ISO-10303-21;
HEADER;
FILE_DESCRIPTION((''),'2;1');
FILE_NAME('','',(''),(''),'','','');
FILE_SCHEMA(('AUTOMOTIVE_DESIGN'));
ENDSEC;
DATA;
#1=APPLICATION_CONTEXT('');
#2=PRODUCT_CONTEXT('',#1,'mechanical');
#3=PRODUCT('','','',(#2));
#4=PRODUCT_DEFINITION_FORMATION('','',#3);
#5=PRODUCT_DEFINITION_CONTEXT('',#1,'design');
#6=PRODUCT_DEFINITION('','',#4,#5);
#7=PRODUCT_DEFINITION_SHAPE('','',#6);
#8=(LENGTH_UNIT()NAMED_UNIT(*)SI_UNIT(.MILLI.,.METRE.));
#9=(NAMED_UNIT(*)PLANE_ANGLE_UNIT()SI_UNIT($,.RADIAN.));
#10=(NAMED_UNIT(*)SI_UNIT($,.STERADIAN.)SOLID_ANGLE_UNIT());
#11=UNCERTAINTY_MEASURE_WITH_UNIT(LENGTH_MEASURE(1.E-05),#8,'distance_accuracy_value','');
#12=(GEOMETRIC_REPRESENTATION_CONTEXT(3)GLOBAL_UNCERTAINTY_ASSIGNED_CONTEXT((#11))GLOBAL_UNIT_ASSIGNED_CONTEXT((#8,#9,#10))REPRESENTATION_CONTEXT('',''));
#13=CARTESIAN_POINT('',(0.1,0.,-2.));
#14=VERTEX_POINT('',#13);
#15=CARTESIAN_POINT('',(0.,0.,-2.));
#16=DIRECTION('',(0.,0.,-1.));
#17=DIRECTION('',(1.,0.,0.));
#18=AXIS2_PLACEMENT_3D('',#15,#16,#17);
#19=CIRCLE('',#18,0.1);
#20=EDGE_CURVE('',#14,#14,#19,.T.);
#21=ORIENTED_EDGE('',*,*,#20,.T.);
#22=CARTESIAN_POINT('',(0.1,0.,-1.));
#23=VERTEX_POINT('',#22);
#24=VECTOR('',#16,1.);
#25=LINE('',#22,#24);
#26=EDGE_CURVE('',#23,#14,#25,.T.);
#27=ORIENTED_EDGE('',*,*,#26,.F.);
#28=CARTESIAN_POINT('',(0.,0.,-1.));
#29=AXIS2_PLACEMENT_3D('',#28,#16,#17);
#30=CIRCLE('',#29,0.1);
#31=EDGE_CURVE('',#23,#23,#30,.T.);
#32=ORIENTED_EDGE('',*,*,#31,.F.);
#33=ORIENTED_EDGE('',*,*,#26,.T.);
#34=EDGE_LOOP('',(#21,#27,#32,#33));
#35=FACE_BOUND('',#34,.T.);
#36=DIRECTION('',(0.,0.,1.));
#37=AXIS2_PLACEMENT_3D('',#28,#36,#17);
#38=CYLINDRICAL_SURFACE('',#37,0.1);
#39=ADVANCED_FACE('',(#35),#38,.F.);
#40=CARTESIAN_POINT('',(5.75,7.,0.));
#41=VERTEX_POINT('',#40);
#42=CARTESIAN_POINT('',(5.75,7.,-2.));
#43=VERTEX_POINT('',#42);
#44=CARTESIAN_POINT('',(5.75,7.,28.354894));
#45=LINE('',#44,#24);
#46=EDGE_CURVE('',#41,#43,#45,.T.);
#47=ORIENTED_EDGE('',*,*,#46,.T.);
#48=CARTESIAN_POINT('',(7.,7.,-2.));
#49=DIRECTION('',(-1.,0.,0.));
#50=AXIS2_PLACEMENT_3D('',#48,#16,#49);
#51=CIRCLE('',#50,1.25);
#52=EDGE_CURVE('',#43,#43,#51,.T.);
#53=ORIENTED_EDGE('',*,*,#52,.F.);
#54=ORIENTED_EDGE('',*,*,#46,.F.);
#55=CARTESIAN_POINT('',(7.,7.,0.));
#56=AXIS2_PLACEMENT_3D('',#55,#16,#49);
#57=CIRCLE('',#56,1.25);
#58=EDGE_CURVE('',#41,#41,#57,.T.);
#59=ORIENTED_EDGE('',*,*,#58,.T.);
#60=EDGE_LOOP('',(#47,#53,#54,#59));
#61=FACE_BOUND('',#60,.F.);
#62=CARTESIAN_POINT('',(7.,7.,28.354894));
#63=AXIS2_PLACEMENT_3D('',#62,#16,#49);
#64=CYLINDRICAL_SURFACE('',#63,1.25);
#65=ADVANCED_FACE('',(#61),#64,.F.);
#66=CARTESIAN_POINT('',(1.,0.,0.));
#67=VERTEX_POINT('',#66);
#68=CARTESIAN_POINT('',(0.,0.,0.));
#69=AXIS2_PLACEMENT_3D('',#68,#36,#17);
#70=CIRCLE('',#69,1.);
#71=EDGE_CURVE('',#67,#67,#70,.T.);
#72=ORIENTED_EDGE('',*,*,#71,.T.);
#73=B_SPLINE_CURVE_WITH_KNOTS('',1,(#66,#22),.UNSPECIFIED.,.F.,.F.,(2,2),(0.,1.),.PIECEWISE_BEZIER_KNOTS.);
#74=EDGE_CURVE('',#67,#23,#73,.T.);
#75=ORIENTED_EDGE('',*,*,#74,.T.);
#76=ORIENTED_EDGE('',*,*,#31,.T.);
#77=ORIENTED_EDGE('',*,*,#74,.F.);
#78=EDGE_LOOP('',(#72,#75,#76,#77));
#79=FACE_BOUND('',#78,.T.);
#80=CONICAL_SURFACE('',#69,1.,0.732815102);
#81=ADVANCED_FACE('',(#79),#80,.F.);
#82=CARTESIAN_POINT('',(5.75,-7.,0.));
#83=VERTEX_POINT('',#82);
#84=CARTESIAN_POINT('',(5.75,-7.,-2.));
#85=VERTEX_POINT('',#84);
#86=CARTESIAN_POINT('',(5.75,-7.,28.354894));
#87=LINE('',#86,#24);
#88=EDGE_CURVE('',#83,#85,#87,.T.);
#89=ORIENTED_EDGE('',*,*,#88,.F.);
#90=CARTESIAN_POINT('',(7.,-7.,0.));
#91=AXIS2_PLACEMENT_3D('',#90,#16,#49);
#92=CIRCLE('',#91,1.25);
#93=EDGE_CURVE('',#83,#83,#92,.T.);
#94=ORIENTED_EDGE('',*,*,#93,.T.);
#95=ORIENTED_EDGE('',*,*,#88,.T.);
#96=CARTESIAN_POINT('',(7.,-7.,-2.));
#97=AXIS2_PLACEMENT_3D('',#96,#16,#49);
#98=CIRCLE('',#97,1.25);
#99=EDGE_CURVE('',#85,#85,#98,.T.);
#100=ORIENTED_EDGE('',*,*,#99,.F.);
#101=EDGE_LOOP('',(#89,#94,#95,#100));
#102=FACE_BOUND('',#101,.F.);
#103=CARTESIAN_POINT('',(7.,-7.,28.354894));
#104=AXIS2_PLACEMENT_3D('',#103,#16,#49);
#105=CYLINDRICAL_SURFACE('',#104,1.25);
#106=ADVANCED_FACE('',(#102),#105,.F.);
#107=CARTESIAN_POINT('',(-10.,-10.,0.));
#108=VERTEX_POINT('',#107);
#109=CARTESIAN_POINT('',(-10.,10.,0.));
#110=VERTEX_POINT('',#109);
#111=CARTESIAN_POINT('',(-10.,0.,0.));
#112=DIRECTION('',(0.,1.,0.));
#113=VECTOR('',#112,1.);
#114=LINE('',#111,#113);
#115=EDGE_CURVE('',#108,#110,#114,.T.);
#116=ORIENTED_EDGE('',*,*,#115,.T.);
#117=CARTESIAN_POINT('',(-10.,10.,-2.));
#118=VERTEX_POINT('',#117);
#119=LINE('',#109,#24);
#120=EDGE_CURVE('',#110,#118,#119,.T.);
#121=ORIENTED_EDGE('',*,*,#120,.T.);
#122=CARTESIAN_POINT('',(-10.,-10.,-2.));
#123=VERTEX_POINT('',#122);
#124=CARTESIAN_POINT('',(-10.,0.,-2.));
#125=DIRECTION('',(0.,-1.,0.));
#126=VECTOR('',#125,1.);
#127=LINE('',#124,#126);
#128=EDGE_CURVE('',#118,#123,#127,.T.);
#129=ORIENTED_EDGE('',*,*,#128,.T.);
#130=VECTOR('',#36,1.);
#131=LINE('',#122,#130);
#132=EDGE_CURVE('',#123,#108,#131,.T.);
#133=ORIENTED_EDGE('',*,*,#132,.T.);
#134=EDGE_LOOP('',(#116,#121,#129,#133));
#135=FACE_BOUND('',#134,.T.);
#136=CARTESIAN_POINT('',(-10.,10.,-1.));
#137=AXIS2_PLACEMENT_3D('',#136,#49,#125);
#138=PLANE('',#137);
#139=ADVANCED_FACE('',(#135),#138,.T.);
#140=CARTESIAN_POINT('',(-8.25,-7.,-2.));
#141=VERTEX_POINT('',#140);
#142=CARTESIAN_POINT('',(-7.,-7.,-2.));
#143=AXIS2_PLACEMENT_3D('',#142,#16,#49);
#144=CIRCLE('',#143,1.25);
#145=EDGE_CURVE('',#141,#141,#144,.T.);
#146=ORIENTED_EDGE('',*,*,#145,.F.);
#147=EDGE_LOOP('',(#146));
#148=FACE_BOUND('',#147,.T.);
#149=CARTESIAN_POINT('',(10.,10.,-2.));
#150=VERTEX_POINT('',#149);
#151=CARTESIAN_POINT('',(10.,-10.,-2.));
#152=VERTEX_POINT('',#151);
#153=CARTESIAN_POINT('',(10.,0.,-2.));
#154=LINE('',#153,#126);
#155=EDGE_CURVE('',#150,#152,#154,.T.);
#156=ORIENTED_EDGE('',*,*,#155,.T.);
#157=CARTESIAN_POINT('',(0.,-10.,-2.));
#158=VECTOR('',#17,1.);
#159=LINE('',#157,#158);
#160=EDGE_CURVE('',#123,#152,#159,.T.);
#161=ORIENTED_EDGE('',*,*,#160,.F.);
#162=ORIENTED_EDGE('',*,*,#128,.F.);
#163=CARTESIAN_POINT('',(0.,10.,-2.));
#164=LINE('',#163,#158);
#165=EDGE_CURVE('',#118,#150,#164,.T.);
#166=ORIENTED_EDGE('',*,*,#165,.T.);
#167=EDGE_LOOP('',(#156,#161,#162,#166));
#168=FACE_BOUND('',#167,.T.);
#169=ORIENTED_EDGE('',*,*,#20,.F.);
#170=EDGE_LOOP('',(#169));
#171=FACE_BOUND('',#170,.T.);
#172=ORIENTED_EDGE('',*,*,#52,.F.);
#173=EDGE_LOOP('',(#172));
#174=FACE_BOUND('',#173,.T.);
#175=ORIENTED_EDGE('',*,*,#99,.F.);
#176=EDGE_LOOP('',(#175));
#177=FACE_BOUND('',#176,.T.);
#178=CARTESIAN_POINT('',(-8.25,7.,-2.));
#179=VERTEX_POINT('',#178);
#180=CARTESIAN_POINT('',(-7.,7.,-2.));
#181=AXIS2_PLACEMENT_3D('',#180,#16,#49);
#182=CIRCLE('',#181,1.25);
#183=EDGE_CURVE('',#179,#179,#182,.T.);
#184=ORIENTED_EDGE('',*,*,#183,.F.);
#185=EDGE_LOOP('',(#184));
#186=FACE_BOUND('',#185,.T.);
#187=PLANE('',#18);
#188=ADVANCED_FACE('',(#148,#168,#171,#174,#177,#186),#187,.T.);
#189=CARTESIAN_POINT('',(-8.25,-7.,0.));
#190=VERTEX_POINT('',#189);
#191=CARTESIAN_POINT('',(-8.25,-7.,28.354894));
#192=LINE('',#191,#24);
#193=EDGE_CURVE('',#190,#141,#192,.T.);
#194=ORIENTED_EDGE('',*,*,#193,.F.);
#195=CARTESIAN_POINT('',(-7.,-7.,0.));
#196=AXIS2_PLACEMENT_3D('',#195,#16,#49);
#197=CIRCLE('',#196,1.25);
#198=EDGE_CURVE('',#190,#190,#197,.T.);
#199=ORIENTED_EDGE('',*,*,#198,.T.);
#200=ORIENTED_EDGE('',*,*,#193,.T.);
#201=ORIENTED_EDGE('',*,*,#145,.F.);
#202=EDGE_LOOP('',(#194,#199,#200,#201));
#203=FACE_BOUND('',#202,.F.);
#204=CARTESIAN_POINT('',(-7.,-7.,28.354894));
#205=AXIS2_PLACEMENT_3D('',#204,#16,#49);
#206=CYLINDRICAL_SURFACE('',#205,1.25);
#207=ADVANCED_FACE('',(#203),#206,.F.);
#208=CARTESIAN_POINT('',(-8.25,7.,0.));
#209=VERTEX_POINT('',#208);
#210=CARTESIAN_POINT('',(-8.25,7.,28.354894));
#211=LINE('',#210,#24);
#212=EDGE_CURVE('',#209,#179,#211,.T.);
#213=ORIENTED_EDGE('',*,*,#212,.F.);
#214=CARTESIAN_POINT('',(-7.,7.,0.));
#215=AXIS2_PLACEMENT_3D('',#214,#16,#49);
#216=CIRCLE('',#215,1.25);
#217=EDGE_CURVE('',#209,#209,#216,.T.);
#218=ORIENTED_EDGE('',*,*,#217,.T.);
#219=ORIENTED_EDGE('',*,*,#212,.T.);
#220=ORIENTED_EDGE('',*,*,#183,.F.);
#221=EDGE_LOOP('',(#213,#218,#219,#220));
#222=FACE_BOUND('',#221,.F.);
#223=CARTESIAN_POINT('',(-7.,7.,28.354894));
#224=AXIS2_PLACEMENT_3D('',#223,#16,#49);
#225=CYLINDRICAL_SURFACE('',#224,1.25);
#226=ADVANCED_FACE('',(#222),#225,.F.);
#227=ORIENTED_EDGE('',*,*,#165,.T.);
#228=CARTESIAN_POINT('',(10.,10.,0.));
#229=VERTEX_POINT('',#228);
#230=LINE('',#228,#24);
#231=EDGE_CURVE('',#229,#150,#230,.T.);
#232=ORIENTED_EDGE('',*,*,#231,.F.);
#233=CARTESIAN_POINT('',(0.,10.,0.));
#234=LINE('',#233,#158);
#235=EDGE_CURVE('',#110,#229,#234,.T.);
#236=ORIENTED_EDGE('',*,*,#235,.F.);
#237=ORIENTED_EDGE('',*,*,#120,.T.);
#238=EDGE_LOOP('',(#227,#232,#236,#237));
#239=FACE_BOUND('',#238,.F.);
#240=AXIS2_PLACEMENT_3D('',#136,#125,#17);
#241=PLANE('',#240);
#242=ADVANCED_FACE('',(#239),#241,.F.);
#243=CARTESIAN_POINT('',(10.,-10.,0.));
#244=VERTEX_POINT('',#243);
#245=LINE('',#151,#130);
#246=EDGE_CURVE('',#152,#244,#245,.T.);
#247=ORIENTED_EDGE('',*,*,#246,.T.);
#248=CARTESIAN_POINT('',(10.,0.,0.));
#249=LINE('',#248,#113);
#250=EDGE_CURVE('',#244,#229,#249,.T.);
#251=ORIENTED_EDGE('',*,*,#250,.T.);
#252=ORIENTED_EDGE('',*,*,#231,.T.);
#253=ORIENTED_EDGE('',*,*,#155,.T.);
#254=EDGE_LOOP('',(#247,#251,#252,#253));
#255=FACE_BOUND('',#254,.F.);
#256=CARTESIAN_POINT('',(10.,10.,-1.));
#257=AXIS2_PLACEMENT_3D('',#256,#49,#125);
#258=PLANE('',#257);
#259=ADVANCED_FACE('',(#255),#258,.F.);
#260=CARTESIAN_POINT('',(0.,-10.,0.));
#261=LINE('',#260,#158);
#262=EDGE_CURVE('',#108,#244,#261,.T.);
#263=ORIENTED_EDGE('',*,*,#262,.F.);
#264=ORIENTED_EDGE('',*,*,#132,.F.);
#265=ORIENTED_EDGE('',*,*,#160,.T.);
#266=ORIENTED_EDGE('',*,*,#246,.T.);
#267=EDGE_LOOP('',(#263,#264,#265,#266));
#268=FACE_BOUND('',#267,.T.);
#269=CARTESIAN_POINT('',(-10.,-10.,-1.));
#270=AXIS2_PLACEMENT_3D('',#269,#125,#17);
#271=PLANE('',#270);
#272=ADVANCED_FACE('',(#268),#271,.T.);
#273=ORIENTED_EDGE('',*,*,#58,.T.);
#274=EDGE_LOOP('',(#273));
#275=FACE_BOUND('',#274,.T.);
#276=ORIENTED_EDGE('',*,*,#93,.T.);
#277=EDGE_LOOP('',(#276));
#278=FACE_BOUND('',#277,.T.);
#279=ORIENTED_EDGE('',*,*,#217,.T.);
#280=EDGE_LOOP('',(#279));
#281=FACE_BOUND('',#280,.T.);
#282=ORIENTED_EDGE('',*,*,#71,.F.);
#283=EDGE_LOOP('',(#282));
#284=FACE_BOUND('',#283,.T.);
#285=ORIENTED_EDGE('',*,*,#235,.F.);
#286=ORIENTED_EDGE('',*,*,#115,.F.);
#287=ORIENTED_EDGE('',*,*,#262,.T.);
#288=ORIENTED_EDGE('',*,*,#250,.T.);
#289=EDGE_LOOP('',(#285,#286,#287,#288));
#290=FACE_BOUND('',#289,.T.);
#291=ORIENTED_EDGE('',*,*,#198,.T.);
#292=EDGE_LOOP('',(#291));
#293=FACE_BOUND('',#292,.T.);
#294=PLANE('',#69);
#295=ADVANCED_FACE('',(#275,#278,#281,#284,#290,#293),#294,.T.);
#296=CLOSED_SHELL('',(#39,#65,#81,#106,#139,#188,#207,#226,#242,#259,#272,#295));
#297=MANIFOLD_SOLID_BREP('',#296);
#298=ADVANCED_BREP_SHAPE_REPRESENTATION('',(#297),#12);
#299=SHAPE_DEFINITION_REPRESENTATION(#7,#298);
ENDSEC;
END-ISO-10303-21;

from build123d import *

# Parameters (mm, degrees)
F0_W     = 20
F0_H     = 20
F1_DEPTH = 1
F2_R     = 1
F3_R     = 0.1
F6_W     = 20
F6_H     = 20
F6_R     = 0.1
F7_DEPTH = 1
F8_D     = 2.5


with BuildPart() as f1:
    # F0 (on Top) → F1 (new body)
    with BuildSketch(Plane.XY):
        Rectangle(F0_W, F0_H)
    extrude(amount=-F1_DEPTH)

    # F2 (on face) → F4 section 0
    with BuildSketch(Plane.XY):
        Circle(F2_R)
    # F3 (on face) → F4 section 1
    with BuildSketch(Plane(origin=(0, 0, -1), x_dir=(1, 0, 0), z_dir=(0, 0, -1))):
        Circle(F3_R)
    loft(mode=Mode.SUBTRACT)

    # F6 (on face) → F7 (join)
    with BuildSketch(Plane(origin=(0, 0, -1), x_dir=(1, 0, 0), z_dir=(0, 0, -1))):
        Rectangle(F6_W, F6_H)
        Circle(F6_R, mode=Mode.SUBTRACT)
    extrude(amount=F7_DEPTH)

    # F8 (through all)
    with Locations(Plane.XY):
        with Locations((-7, -7), (7, -7), (7, 7), (-7, 7)):
            Hole(F8_D / 2)


solid = f1.part
